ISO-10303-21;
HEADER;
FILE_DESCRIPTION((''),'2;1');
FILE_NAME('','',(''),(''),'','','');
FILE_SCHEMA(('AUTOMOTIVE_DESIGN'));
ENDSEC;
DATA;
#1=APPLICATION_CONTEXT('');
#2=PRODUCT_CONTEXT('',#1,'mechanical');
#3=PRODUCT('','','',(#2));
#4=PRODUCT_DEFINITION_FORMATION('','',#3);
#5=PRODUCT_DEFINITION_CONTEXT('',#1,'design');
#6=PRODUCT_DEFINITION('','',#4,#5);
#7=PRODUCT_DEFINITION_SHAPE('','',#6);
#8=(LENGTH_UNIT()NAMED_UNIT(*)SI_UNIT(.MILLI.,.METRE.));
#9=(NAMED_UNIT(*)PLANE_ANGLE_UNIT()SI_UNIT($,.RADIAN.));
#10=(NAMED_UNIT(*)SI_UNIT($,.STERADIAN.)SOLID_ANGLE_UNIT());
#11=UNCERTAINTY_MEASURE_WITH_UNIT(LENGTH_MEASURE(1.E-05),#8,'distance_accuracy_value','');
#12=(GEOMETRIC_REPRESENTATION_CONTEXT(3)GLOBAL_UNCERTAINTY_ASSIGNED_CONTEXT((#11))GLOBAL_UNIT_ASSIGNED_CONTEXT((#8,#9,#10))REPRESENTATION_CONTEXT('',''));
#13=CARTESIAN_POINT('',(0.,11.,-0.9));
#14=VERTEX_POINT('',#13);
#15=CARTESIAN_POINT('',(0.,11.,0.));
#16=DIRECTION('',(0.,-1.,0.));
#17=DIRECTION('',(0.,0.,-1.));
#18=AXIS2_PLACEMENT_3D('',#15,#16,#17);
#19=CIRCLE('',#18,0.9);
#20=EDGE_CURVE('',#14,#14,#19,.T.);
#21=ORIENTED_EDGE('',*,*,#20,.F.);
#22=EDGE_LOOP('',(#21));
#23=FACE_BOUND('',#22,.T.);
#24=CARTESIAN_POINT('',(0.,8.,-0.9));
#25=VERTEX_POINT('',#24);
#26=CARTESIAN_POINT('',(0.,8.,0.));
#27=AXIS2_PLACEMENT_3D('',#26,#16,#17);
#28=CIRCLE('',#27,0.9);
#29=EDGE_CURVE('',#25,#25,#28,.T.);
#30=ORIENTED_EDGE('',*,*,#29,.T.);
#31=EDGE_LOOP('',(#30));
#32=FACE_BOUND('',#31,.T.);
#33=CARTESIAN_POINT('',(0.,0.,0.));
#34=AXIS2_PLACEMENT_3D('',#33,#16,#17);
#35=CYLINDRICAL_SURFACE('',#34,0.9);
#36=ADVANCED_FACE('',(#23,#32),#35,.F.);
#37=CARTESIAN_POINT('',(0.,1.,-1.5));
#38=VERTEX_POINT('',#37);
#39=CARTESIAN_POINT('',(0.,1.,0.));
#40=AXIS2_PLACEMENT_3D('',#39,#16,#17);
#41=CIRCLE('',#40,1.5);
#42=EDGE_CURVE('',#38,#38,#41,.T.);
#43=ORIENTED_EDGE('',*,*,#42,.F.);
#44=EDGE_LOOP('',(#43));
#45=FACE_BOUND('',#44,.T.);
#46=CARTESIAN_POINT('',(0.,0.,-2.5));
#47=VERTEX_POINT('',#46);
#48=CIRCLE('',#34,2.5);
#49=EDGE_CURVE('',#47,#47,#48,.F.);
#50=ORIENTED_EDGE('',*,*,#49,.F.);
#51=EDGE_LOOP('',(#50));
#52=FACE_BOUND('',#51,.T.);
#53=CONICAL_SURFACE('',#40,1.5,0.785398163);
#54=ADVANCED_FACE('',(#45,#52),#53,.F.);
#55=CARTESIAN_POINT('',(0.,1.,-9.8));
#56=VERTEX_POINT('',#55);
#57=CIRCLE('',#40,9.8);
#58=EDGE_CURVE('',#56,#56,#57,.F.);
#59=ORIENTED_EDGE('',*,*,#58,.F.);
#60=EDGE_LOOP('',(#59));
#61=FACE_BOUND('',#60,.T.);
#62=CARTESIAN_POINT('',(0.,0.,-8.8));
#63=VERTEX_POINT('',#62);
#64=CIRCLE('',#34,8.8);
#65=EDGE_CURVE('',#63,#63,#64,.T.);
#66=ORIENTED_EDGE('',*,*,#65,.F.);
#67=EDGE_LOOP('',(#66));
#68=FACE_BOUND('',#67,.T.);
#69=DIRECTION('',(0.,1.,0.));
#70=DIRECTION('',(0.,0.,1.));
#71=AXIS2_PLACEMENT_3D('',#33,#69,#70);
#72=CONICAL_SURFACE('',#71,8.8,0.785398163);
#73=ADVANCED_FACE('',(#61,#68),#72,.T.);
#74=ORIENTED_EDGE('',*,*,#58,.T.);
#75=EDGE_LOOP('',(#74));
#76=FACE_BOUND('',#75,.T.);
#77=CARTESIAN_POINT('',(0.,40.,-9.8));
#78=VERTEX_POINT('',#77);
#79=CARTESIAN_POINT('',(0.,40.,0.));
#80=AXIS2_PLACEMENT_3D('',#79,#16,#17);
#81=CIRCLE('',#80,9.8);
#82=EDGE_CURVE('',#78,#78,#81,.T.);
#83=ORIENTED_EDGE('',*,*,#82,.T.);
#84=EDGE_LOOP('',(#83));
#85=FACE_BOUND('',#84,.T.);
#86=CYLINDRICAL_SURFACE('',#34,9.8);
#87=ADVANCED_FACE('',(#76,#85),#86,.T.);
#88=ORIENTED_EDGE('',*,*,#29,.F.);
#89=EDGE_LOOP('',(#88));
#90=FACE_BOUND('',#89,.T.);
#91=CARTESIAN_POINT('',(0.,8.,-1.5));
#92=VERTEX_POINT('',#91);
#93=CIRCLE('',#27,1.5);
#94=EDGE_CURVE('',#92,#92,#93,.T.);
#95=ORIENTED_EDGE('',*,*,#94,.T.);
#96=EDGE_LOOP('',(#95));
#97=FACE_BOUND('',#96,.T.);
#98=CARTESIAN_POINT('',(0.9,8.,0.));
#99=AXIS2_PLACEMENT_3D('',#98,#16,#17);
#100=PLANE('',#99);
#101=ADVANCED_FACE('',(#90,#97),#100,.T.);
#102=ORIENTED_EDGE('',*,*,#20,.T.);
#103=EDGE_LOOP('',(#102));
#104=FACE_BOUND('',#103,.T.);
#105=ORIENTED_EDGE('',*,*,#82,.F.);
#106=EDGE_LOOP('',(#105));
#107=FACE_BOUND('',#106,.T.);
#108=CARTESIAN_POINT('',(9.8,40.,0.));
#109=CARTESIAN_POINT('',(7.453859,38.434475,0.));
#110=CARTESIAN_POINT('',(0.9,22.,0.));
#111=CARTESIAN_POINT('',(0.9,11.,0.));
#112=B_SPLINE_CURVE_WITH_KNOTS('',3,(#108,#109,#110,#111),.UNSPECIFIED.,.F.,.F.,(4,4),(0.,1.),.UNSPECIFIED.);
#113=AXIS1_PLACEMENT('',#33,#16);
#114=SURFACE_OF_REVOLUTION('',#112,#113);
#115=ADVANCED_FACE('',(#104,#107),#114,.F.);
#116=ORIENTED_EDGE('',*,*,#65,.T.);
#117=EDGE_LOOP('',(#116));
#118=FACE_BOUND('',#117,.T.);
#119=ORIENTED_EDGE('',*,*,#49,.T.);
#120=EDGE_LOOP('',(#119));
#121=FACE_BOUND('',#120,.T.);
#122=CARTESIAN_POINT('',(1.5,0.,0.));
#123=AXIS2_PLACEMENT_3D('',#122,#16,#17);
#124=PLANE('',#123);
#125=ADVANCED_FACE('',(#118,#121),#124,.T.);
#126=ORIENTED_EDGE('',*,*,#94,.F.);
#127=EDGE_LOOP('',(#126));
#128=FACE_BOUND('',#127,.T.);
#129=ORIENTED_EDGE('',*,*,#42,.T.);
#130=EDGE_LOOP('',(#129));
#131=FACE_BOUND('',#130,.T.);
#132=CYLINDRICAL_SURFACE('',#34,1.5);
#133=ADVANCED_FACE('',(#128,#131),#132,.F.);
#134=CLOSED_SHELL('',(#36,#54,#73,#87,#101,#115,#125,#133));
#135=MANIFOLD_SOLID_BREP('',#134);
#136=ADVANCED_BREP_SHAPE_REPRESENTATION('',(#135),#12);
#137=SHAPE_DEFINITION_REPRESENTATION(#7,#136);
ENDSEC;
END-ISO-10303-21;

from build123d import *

# Parameters (mm, degrees)
CHAMFER_1_SIZE = 1


with BuildPart() as part:
    # Эскиз1 → Повернуть1 (revolve)
    with BuildSketch(Plane.XY):
        with BuildLine():
            Line((1.5, 0), (9.8, 0))
            Line((9.8, 0), (9.8, 40))
            add(Edge.make_bspline(
                [(9.8, 40), (7.453858919, 38.434475284), (0.9, 22), (0.9, 11)],
                knots=[0, 0, 0, 0, 1, 1, 1, 1], degree=3))
            Line((0.9, 11), (0.9, 8))
            Line((0.9, 8), (1.5, 8))
            Line((1.5, 8), (1.5, 0))
        make_face()
    revolve(axis=Axis((0, 0, 0), (0, 1, 0)))

    # Фаска1
    chamfer_1_edges = [part.edges().sort_by_distance(p)[0] for p in [
        (-1.5, 0, 0),
        (-9.8, 0, 0),
    ]]
    chamfer(chamfer_1_edges, length=CHAMFER_1_SIZE)


solid = part.part
